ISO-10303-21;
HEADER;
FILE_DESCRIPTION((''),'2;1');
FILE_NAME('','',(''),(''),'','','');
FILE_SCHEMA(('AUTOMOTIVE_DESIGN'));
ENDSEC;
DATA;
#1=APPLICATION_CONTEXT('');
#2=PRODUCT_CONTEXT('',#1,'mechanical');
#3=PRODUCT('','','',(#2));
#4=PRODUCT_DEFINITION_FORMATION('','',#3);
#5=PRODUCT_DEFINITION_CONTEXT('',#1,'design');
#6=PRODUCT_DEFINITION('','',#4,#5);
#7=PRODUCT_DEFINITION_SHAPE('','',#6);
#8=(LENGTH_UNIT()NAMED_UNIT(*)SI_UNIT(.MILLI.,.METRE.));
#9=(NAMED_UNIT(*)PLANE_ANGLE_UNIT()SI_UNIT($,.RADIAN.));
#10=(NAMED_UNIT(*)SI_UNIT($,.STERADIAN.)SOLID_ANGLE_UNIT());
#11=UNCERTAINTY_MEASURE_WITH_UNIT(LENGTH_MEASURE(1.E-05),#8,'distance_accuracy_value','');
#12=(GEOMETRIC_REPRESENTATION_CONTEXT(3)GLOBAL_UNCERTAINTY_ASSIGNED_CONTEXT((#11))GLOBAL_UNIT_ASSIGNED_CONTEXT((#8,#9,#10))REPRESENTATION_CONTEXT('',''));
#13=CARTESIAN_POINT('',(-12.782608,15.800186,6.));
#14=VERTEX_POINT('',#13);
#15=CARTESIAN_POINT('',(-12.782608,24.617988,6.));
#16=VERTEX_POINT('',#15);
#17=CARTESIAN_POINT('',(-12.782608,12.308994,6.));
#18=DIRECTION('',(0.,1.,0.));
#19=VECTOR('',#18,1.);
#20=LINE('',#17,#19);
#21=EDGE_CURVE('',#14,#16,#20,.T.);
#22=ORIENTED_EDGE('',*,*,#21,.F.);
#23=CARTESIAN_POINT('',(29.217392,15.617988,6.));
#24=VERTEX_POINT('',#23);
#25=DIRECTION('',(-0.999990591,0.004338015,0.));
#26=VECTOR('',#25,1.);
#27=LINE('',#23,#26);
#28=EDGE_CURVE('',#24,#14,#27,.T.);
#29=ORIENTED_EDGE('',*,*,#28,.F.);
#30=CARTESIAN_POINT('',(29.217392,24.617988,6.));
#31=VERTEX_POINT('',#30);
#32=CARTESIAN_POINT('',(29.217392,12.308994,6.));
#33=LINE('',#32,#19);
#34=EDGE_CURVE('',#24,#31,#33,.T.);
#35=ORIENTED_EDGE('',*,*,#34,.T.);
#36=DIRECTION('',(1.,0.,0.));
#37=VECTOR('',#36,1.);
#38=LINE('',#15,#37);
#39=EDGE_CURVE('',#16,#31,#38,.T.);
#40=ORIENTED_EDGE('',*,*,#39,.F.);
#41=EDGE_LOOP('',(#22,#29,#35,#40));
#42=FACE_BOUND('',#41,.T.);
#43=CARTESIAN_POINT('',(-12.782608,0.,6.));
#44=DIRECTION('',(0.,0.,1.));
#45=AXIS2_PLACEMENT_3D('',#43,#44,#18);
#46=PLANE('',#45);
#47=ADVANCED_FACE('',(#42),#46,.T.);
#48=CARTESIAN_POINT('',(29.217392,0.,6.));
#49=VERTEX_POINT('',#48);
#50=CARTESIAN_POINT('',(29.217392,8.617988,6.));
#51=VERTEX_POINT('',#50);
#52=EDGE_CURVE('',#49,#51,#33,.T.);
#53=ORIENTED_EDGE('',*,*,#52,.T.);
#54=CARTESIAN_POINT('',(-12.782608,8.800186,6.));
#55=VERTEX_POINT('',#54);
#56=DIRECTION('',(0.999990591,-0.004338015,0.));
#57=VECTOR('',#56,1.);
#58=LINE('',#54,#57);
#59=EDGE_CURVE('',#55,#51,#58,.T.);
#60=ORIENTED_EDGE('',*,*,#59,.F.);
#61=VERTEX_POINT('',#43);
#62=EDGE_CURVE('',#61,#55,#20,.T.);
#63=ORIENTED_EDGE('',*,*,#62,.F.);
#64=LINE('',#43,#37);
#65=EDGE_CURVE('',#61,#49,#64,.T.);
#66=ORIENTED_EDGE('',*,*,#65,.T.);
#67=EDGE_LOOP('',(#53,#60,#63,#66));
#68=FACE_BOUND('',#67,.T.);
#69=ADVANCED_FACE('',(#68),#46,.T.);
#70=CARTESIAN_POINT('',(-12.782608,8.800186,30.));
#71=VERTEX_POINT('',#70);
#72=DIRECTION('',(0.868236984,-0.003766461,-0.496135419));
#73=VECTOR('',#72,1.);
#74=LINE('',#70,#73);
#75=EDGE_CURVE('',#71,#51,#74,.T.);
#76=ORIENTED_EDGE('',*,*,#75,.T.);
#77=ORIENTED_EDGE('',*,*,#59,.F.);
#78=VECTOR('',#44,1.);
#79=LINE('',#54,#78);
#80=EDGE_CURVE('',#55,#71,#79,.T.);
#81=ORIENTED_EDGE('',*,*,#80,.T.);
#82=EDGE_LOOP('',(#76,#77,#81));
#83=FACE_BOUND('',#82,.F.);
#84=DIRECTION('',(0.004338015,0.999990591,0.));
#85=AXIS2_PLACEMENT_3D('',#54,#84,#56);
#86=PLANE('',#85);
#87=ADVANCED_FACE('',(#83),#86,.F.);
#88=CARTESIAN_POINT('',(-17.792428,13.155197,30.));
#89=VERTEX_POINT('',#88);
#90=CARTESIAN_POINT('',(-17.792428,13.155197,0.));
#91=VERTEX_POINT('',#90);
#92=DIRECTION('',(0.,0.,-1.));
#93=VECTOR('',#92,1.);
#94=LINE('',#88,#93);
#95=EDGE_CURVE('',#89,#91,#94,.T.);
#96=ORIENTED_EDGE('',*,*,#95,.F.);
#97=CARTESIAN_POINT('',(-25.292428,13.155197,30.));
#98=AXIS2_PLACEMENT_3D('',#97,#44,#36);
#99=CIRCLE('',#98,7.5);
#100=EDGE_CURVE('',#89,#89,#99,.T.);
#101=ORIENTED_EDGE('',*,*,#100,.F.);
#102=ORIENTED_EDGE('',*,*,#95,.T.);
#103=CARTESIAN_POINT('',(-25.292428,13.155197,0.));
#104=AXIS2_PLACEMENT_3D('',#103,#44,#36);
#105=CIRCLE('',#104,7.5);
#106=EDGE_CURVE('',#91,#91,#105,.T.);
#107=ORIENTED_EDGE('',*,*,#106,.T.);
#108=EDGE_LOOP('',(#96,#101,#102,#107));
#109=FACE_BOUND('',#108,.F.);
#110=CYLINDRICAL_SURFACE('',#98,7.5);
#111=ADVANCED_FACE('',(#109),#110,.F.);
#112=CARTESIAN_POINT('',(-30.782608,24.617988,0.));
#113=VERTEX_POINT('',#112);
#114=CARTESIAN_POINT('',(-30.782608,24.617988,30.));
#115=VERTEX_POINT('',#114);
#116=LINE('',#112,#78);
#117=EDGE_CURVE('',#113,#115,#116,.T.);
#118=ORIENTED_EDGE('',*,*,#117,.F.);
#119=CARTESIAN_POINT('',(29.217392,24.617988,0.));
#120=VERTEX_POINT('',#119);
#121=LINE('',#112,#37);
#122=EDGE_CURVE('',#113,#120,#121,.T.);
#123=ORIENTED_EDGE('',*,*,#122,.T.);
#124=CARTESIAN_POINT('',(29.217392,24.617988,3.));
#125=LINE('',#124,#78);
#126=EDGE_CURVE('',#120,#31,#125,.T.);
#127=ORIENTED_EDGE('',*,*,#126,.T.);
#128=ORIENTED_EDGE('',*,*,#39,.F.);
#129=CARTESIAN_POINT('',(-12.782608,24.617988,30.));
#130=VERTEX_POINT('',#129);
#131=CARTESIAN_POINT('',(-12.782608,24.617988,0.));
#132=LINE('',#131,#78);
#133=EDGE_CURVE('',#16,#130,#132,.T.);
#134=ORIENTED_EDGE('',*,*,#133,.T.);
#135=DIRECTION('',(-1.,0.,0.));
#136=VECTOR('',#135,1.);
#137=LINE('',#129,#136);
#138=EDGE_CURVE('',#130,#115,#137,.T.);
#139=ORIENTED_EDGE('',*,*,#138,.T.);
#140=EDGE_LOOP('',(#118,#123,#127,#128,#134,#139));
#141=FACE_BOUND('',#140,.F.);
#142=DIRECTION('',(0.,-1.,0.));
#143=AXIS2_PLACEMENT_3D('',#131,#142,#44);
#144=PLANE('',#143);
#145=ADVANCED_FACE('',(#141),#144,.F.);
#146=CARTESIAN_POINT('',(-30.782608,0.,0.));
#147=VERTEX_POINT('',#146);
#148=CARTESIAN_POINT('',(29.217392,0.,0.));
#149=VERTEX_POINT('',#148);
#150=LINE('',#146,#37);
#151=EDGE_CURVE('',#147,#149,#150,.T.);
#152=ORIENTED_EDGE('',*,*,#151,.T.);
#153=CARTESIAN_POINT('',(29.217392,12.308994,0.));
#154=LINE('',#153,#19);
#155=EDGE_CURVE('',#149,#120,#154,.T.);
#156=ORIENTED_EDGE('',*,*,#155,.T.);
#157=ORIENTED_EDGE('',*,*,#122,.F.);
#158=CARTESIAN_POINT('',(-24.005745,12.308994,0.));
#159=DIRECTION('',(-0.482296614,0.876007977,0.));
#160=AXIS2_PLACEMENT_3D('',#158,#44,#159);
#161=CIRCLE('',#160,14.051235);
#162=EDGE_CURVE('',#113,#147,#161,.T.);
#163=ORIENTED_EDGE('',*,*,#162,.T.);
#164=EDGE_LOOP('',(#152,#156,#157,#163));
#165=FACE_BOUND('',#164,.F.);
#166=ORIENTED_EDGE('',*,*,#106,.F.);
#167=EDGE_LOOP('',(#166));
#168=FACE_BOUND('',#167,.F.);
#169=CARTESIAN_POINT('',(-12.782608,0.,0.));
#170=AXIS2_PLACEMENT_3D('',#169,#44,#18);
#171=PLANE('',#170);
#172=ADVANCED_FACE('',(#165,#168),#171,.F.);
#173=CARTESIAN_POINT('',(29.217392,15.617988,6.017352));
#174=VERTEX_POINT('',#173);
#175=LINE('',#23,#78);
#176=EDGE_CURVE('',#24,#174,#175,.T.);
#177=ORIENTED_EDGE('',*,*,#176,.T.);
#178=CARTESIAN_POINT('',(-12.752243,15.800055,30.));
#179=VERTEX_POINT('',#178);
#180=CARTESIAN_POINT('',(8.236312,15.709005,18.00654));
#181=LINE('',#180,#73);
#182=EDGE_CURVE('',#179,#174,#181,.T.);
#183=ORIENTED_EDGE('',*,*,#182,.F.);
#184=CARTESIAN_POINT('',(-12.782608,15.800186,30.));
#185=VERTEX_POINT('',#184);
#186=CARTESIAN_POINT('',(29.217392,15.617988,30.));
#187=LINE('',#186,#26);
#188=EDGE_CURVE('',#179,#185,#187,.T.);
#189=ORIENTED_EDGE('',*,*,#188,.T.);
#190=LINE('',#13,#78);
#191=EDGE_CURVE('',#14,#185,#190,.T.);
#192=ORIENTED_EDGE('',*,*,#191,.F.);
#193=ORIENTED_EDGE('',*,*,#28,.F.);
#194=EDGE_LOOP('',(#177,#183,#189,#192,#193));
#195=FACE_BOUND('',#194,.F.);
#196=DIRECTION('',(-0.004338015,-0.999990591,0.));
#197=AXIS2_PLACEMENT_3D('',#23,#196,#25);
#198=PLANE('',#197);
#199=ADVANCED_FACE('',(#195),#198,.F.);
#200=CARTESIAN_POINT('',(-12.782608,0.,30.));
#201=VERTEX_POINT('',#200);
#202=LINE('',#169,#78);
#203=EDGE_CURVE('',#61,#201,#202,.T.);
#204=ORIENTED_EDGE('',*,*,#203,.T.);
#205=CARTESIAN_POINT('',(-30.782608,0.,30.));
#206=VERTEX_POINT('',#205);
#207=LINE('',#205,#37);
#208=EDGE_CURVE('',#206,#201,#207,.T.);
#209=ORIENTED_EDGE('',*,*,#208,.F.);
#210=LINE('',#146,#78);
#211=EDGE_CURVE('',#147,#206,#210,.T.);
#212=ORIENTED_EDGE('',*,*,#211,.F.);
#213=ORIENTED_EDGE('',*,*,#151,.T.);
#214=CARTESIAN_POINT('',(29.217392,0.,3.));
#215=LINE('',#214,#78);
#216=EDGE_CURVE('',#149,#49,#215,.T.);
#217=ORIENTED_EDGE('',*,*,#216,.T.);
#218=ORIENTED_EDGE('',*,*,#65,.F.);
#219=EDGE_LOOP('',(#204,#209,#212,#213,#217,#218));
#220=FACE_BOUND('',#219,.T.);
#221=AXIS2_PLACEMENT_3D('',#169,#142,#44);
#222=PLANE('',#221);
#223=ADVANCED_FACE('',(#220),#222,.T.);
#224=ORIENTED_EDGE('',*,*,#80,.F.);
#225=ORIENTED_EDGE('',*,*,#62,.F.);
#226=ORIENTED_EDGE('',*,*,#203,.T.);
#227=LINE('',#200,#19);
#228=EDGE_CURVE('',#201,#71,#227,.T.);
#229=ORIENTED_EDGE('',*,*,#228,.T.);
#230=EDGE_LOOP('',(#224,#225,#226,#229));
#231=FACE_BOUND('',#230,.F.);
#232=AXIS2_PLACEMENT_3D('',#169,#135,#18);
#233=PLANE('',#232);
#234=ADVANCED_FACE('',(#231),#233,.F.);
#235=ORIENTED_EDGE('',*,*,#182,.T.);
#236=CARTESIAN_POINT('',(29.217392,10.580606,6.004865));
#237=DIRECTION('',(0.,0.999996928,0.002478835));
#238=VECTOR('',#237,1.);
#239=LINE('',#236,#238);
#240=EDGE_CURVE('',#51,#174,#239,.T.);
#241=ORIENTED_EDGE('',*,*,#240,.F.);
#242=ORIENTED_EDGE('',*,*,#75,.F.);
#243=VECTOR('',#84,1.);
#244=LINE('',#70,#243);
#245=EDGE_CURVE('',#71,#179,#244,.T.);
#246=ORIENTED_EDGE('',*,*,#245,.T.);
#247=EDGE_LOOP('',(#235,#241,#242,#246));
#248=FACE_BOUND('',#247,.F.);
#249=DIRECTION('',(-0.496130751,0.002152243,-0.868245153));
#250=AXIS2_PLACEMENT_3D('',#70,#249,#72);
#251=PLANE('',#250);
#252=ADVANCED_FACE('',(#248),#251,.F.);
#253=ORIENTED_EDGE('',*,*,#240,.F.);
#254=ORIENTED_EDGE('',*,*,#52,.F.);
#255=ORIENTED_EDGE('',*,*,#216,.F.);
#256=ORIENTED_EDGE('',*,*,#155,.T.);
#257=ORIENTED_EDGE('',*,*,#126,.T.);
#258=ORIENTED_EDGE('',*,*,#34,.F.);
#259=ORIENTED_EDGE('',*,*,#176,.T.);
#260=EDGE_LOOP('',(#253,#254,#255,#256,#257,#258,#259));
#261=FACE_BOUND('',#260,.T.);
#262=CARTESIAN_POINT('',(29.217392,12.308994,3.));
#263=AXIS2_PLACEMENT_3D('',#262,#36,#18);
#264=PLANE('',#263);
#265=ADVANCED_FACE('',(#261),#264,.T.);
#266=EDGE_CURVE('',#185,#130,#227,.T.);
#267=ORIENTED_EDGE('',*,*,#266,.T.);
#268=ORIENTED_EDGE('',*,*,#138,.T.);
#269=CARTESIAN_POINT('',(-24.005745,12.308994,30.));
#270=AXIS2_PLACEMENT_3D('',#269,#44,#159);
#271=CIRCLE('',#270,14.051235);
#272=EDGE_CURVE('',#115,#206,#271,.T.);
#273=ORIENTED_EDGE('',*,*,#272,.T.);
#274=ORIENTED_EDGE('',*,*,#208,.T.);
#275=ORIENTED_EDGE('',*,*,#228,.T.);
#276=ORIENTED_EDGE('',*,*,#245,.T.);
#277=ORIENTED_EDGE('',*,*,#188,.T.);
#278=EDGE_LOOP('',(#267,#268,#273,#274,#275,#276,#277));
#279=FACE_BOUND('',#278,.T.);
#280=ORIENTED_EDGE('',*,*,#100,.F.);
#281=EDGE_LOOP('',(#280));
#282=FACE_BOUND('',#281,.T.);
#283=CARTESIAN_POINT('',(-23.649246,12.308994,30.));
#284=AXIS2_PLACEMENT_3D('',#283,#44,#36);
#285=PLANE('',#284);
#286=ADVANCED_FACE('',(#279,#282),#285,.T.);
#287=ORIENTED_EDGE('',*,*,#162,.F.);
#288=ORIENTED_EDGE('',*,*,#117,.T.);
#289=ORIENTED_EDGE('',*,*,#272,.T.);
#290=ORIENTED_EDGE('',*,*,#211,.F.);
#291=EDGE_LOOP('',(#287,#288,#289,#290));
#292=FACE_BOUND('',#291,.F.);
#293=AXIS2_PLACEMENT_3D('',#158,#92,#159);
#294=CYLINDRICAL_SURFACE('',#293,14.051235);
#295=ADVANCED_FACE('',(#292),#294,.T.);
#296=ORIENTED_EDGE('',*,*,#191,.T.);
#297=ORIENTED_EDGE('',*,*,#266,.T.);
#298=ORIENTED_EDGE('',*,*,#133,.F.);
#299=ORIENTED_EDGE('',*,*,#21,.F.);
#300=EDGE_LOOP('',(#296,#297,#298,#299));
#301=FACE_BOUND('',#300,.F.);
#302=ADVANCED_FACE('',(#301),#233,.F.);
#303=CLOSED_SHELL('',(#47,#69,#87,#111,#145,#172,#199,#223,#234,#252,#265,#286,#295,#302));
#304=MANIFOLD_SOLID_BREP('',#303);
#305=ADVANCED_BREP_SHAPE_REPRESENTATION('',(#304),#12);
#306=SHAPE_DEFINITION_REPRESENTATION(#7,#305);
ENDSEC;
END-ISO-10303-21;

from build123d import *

# Parameters (mm, degrees)
F1_DEPTH = 30
F2_W     = 24.6179879843
F2_H     = 6
F3_DEPTH = 42
F5_DEPTH = 24
F7_DEPTH = 100
F8_R     = 7.5
F9_DEPTH = 100


with BuildPart() as f1:
    # F0 (on Top) → F1 (new body)
    with BuildSketch(Plane.XY):
        with BuildLine():
            Line((-12.7826083564, 24.6179879843), (-30.7826083564, 24.6179879843))
            ThreePointArc((-30.7826083564, 24.6179879843), (-38.0569803183, 12.3089939921), (-30.7826083564, 0))
            Line((-30.7826083564, 0), (-12.7826083564, 0))
            Line((-12.7826083564, 0), (-12.7826083564, 24.6179879843))
        make_face()
    extrude(amount=F1_DEPTH)

    # F2 (on face) → F3 (join)
    with BuildSketch(Plane.YZ.offset(-12.7826083564)):
        with Locations((12.3089939921, 3)):
            Rectangle(F2_W, F2_H)
    extrude(amount=F3_DEPTH)

    # F4 (on face) → F5 (join)
    with BuildSketch(Plane.XY.offset(6)):
        Polygon((29.2173916436, 15.6179879843), (-12.7826083564, 15.8001863448), (-12.7826083564, 8.8001863448), (29.2173916436, 8.6179879843), align=None)
    extrude(amount=F5_DEPTH)

    # F6 (on face) → F7 (cut)
    with BuildSketch(Plane(origin=(0.0379344366, 8.7445701096, 0), x_dir=(0.9999905908, -0.0043380154, 0), z_dir=(-0.0043380154, -0.9999905908, 0))):
        Polygon((29.1797317659, 30), (-12.8206634256, 30), (29.1797317659, 6), align=None)
    extrude(amount=-F7_DEPTH, mode=Mode.SUBTRACT)

    # F8 (on face) → F9 (cut)
    with BuildSketch(Plane.XY.offset(30)):
        with Locations((-25.2924282104, 13.1551967934)):
            Circle(F8_R)
    extrude(amount=-F9_DEPTH, mode=Mode.SUBTRACT)


solid = f1.part
